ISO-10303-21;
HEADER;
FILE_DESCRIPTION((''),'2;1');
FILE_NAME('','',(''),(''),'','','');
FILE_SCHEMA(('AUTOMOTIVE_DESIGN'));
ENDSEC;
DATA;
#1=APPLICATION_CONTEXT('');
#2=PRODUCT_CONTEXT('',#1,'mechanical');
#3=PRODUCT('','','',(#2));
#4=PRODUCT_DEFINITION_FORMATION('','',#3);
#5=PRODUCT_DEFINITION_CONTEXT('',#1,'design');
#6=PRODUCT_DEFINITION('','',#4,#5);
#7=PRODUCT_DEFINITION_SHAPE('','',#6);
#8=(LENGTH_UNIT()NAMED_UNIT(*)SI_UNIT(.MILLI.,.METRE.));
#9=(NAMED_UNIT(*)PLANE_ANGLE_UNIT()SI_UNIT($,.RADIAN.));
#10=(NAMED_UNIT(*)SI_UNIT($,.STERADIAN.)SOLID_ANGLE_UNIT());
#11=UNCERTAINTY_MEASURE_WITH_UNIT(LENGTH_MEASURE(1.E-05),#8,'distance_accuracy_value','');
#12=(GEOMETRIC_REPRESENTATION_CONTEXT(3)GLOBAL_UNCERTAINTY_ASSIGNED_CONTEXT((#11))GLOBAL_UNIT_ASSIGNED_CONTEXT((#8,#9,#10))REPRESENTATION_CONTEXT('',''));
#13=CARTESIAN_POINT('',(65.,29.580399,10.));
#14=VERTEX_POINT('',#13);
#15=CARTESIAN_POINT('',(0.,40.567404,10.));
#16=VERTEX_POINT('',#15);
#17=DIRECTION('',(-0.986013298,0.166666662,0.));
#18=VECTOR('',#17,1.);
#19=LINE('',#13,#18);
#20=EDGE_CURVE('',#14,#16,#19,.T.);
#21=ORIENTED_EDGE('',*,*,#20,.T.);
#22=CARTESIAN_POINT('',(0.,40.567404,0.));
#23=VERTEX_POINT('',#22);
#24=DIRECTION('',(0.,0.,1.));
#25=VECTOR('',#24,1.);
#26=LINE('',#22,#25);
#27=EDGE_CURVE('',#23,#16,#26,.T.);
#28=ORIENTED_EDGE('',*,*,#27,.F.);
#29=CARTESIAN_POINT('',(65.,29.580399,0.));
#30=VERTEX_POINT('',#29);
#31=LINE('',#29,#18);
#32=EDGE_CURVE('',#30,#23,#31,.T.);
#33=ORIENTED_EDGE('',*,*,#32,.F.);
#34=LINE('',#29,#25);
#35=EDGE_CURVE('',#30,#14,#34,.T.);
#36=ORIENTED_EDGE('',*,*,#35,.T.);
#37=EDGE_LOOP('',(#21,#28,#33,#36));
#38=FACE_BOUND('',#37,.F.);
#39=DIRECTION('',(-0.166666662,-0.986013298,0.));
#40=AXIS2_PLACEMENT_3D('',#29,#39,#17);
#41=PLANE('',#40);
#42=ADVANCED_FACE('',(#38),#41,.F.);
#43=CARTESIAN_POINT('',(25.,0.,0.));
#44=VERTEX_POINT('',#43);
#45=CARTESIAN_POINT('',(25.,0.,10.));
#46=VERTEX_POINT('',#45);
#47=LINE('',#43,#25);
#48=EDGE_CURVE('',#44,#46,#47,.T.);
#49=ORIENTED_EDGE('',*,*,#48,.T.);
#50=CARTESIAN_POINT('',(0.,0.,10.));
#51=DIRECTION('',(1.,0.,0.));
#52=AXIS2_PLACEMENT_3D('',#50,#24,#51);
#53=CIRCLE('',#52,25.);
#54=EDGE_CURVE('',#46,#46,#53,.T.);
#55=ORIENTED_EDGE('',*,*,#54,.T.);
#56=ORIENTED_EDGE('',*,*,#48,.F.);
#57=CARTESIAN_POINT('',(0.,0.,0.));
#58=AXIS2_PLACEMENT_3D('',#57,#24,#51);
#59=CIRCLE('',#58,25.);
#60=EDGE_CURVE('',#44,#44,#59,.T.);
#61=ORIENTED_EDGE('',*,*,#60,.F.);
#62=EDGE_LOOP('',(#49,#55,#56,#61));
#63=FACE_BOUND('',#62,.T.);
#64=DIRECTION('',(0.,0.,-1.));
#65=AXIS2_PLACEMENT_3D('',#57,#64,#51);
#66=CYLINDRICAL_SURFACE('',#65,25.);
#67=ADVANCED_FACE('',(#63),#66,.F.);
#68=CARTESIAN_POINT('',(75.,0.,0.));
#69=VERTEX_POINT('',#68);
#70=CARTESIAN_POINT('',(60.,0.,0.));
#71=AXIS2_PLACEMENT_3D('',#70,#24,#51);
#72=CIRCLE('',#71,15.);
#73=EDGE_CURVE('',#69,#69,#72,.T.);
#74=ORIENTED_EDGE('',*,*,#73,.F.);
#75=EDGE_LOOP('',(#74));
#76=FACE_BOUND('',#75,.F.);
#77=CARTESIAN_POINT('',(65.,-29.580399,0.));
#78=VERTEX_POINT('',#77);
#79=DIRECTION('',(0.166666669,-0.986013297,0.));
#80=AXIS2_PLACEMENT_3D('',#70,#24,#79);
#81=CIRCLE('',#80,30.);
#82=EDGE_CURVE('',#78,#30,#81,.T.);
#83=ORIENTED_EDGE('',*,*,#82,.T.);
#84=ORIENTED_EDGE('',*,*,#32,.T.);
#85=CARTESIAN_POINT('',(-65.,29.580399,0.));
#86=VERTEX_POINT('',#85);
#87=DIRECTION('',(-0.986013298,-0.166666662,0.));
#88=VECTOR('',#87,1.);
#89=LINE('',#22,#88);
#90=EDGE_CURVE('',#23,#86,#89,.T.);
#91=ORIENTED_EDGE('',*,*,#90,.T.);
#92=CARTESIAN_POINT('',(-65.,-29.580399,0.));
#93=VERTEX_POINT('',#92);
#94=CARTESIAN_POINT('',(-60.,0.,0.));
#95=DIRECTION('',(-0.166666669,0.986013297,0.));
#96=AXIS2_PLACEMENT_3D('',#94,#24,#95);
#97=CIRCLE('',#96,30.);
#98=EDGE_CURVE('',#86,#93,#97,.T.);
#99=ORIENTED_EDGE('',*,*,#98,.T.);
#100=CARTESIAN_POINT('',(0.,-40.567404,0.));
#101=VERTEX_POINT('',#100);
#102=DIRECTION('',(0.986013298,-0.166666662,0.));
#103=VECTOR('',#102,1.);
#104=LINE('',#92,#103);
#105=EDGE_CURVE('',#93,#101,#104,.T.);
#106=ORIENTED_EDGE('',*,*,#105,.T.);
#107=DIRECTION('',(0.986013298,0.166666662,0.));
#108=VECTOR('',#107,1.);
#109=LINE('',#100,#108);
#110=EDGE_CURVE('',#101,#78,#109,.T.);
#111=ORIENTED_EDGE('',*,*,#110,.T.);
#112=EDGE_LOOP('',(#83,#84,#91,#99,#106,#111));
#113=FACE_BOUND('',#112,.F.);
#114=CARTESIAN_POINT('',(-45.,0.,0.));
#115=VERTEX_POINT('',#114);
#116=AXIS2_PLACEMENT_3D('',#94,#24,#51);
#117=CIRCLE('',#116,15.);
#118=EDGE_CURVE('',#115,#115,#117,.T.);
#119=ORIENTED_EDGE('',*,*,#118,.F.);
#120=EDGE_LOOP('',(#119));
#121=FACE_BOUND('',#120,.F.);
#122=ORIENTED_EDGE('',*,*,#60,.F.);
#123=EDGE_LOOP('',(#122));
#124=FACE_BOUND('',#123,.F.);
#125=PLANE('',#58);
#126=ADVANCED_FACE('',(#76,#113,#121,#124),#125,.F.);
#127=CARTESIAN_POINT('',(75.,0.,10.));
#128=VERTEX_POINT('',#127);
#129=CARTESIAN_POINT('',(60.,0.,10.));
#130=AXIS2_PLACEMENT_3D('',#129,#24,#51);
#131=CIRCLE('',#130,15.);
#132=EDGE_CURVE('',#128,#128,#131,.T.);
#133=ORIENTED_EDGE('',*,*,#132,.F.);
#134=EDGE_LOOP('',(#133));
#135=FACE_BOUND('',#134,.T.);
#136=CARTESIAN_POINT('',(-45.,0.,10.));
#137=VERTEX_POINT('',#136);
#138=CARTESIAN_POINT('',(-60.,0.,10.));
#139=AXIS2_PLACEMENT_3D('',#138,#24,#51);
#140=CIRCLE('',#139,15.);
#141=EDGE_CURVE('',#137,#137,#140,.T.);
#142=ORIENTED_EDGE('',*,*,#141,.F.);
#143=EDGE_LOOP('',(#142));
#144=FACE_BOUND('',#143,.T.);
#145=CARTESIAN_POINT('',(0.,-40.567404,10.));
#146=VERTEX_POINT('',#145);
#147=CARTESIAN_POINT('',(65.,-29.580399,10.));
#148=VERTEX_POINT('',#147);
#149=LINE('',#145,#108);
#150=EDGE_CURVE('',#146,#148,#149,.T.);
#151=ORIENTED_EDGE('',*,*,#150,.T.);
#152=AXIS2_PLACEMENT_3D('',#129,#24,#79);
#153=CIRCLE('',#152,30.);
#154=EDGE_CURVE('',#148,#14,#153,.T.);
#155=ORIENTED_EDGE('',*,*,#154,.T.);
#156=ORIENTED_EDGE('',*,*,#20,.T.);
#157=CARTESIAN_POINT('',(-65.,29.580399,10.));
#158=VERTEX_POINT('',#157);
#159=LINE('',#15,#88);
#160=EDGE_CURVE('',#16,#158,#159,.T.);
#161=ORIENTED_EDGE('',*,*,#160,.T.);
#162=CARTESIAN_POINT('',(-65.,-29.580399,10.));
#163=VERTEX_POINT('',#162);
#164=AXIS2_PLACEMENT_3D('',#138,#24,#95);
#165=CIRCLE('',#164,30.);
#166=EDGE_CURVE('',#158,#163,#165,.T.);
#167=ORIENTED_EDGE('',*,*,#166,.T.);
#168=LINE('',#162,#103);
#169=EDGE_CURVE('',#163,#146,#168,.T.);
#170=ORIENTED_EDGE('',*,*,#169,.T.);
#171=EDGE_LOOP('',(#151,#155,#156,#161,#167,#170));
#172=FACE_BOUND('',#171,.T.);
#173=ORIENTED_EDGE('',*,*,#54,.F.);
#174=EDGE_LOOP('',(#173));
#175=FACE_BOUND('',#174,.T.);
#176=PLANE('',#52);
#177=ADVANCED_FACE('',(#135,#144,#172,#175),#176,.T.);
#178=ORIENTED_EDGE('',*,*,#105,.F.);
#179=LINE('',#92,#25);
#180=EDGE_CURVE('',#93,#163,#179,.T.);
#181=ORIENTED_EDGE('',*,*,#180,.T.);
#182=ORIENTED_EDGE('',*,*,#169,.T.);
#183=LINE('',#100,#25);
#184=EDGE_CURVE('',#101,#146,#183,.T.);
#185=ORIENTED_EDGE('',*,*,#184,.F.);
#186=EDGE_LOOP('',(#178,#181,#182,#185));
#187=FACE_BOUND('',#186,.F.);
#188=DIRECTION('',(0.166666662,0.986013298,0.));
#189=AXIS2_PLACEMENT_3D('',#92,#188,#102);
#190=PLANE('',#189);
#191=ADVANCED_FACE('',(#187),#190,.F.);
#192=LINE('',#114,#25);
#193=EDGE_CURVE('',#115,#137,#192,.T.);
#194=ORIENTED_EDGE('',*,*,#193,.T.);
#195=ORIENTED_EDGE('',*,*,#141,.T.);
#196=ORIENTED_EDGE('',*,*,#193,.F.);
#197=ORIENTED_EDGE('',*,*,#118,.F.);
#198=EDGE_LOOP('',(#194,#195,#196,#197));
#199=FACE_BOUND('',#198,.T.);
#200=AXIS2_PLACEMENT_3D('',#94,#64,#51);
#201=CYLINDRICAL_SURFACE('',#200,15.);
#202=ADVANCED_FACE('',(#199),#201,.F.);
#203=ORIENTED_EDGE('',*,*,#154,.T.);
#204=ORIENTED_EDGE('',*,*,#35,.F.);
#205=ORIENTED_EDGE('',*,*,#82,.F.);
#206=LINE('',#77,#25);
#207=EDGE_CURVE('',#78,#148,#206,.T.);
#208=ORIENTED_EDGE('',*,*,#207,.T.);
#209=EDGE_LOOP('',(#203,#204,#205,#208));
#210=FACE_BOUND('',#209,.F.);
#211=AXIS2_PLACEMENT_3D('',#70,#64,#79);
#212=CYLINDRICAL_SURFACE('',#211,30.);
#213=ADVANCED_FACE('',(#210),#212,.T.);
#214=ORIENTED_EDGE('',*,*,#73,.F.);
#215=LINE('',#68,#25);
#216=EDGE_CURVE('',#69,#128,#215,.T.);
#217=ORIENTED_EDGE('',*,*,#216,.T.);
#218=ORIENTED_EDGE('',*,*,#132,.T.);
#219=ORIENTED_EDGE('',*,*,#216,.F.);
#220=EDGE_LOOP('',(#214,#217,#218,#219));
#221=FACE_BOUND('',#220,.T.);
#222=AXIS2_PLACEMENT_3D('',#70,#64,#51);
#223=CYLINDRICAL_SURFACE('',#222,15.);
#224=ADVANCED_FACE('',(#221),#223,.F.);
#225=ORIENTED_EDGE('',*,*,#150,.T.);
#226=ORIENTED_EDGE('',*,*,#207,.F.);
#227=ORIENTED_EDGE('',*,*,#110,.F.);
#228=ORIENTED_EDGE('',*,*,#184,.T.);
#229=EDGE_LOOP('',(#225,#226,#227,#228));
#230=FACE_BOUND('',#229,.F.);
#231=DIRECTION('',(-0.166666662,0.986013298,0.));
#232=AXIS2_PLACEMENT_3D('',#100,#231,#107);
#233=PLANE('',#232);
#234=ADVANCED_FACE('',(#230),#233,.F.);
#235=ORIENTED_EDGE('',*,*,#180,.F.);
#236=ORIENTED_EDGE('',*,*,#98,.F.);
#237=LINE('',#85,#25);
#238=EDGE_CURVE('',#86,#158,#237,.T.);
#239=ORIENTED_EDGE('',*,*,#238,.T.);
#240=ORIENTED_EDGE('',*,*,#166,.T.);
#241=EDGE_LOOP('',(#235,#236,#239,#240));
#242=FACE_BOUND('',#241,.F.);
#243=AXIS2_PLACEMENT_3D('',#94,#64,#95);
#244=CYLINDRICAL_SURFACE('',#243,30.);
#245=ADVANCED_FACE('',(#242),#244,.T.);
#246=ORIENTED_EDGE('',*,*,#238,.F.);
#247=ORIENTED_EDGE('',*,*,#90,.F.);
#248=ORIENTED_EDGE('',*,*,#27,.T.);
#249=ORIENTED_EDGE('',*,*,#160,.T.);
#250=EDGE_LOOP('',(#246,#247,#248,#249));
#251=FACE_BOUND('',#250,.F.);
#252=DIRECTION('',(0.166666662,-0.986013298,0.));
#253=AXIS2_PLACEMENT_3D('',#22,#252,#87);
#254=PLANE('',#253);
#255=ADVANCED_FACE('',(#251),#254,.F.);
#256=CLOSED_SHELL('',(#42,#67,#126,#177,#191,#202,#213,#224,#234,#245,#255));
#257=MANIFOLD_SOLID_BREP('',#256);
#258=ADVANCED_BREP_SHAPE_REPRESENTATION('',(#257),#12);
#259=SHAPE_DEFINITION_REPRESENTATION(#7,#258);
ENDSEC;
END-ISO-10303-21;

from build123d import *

# Parameters (mm, degrees)
F0_R     = 15
F0_R_2   = 25
F1_DEPTH = 10


with BuildPart() as f1:
    # F0 (on Top) → F1 (new body)
    with BuildSketch(Plane.XY):
        with BuildLine():
            Line((0, -40.567404), (65, -29.580399))
            ThreePointArc((65, -29.580399), (90, 0), (65, 29.580399))
            Line((65, 29.580399), (0, 40.567404))
            Line((0, 40.567404), (-65, 29.580399))
            ThreePointArc((-65, 29.580399), (-90, 0), (-65, -29.580399))
            Line((-65, -29.580399), (0, -40.567404))
        make_face()
        with Locations((-60, 0)):
            Circle(F0_R, mode=Mode.SUBTRACT)
        Circle(F0_R_2, mode=Mode.SUBTRACT)
        with Locations((60, 0)):
            Circle(F0_R, mode=Mode.SUBTRACT)
    extrude(amount=F1_DEPTH)


solid = f1.part
